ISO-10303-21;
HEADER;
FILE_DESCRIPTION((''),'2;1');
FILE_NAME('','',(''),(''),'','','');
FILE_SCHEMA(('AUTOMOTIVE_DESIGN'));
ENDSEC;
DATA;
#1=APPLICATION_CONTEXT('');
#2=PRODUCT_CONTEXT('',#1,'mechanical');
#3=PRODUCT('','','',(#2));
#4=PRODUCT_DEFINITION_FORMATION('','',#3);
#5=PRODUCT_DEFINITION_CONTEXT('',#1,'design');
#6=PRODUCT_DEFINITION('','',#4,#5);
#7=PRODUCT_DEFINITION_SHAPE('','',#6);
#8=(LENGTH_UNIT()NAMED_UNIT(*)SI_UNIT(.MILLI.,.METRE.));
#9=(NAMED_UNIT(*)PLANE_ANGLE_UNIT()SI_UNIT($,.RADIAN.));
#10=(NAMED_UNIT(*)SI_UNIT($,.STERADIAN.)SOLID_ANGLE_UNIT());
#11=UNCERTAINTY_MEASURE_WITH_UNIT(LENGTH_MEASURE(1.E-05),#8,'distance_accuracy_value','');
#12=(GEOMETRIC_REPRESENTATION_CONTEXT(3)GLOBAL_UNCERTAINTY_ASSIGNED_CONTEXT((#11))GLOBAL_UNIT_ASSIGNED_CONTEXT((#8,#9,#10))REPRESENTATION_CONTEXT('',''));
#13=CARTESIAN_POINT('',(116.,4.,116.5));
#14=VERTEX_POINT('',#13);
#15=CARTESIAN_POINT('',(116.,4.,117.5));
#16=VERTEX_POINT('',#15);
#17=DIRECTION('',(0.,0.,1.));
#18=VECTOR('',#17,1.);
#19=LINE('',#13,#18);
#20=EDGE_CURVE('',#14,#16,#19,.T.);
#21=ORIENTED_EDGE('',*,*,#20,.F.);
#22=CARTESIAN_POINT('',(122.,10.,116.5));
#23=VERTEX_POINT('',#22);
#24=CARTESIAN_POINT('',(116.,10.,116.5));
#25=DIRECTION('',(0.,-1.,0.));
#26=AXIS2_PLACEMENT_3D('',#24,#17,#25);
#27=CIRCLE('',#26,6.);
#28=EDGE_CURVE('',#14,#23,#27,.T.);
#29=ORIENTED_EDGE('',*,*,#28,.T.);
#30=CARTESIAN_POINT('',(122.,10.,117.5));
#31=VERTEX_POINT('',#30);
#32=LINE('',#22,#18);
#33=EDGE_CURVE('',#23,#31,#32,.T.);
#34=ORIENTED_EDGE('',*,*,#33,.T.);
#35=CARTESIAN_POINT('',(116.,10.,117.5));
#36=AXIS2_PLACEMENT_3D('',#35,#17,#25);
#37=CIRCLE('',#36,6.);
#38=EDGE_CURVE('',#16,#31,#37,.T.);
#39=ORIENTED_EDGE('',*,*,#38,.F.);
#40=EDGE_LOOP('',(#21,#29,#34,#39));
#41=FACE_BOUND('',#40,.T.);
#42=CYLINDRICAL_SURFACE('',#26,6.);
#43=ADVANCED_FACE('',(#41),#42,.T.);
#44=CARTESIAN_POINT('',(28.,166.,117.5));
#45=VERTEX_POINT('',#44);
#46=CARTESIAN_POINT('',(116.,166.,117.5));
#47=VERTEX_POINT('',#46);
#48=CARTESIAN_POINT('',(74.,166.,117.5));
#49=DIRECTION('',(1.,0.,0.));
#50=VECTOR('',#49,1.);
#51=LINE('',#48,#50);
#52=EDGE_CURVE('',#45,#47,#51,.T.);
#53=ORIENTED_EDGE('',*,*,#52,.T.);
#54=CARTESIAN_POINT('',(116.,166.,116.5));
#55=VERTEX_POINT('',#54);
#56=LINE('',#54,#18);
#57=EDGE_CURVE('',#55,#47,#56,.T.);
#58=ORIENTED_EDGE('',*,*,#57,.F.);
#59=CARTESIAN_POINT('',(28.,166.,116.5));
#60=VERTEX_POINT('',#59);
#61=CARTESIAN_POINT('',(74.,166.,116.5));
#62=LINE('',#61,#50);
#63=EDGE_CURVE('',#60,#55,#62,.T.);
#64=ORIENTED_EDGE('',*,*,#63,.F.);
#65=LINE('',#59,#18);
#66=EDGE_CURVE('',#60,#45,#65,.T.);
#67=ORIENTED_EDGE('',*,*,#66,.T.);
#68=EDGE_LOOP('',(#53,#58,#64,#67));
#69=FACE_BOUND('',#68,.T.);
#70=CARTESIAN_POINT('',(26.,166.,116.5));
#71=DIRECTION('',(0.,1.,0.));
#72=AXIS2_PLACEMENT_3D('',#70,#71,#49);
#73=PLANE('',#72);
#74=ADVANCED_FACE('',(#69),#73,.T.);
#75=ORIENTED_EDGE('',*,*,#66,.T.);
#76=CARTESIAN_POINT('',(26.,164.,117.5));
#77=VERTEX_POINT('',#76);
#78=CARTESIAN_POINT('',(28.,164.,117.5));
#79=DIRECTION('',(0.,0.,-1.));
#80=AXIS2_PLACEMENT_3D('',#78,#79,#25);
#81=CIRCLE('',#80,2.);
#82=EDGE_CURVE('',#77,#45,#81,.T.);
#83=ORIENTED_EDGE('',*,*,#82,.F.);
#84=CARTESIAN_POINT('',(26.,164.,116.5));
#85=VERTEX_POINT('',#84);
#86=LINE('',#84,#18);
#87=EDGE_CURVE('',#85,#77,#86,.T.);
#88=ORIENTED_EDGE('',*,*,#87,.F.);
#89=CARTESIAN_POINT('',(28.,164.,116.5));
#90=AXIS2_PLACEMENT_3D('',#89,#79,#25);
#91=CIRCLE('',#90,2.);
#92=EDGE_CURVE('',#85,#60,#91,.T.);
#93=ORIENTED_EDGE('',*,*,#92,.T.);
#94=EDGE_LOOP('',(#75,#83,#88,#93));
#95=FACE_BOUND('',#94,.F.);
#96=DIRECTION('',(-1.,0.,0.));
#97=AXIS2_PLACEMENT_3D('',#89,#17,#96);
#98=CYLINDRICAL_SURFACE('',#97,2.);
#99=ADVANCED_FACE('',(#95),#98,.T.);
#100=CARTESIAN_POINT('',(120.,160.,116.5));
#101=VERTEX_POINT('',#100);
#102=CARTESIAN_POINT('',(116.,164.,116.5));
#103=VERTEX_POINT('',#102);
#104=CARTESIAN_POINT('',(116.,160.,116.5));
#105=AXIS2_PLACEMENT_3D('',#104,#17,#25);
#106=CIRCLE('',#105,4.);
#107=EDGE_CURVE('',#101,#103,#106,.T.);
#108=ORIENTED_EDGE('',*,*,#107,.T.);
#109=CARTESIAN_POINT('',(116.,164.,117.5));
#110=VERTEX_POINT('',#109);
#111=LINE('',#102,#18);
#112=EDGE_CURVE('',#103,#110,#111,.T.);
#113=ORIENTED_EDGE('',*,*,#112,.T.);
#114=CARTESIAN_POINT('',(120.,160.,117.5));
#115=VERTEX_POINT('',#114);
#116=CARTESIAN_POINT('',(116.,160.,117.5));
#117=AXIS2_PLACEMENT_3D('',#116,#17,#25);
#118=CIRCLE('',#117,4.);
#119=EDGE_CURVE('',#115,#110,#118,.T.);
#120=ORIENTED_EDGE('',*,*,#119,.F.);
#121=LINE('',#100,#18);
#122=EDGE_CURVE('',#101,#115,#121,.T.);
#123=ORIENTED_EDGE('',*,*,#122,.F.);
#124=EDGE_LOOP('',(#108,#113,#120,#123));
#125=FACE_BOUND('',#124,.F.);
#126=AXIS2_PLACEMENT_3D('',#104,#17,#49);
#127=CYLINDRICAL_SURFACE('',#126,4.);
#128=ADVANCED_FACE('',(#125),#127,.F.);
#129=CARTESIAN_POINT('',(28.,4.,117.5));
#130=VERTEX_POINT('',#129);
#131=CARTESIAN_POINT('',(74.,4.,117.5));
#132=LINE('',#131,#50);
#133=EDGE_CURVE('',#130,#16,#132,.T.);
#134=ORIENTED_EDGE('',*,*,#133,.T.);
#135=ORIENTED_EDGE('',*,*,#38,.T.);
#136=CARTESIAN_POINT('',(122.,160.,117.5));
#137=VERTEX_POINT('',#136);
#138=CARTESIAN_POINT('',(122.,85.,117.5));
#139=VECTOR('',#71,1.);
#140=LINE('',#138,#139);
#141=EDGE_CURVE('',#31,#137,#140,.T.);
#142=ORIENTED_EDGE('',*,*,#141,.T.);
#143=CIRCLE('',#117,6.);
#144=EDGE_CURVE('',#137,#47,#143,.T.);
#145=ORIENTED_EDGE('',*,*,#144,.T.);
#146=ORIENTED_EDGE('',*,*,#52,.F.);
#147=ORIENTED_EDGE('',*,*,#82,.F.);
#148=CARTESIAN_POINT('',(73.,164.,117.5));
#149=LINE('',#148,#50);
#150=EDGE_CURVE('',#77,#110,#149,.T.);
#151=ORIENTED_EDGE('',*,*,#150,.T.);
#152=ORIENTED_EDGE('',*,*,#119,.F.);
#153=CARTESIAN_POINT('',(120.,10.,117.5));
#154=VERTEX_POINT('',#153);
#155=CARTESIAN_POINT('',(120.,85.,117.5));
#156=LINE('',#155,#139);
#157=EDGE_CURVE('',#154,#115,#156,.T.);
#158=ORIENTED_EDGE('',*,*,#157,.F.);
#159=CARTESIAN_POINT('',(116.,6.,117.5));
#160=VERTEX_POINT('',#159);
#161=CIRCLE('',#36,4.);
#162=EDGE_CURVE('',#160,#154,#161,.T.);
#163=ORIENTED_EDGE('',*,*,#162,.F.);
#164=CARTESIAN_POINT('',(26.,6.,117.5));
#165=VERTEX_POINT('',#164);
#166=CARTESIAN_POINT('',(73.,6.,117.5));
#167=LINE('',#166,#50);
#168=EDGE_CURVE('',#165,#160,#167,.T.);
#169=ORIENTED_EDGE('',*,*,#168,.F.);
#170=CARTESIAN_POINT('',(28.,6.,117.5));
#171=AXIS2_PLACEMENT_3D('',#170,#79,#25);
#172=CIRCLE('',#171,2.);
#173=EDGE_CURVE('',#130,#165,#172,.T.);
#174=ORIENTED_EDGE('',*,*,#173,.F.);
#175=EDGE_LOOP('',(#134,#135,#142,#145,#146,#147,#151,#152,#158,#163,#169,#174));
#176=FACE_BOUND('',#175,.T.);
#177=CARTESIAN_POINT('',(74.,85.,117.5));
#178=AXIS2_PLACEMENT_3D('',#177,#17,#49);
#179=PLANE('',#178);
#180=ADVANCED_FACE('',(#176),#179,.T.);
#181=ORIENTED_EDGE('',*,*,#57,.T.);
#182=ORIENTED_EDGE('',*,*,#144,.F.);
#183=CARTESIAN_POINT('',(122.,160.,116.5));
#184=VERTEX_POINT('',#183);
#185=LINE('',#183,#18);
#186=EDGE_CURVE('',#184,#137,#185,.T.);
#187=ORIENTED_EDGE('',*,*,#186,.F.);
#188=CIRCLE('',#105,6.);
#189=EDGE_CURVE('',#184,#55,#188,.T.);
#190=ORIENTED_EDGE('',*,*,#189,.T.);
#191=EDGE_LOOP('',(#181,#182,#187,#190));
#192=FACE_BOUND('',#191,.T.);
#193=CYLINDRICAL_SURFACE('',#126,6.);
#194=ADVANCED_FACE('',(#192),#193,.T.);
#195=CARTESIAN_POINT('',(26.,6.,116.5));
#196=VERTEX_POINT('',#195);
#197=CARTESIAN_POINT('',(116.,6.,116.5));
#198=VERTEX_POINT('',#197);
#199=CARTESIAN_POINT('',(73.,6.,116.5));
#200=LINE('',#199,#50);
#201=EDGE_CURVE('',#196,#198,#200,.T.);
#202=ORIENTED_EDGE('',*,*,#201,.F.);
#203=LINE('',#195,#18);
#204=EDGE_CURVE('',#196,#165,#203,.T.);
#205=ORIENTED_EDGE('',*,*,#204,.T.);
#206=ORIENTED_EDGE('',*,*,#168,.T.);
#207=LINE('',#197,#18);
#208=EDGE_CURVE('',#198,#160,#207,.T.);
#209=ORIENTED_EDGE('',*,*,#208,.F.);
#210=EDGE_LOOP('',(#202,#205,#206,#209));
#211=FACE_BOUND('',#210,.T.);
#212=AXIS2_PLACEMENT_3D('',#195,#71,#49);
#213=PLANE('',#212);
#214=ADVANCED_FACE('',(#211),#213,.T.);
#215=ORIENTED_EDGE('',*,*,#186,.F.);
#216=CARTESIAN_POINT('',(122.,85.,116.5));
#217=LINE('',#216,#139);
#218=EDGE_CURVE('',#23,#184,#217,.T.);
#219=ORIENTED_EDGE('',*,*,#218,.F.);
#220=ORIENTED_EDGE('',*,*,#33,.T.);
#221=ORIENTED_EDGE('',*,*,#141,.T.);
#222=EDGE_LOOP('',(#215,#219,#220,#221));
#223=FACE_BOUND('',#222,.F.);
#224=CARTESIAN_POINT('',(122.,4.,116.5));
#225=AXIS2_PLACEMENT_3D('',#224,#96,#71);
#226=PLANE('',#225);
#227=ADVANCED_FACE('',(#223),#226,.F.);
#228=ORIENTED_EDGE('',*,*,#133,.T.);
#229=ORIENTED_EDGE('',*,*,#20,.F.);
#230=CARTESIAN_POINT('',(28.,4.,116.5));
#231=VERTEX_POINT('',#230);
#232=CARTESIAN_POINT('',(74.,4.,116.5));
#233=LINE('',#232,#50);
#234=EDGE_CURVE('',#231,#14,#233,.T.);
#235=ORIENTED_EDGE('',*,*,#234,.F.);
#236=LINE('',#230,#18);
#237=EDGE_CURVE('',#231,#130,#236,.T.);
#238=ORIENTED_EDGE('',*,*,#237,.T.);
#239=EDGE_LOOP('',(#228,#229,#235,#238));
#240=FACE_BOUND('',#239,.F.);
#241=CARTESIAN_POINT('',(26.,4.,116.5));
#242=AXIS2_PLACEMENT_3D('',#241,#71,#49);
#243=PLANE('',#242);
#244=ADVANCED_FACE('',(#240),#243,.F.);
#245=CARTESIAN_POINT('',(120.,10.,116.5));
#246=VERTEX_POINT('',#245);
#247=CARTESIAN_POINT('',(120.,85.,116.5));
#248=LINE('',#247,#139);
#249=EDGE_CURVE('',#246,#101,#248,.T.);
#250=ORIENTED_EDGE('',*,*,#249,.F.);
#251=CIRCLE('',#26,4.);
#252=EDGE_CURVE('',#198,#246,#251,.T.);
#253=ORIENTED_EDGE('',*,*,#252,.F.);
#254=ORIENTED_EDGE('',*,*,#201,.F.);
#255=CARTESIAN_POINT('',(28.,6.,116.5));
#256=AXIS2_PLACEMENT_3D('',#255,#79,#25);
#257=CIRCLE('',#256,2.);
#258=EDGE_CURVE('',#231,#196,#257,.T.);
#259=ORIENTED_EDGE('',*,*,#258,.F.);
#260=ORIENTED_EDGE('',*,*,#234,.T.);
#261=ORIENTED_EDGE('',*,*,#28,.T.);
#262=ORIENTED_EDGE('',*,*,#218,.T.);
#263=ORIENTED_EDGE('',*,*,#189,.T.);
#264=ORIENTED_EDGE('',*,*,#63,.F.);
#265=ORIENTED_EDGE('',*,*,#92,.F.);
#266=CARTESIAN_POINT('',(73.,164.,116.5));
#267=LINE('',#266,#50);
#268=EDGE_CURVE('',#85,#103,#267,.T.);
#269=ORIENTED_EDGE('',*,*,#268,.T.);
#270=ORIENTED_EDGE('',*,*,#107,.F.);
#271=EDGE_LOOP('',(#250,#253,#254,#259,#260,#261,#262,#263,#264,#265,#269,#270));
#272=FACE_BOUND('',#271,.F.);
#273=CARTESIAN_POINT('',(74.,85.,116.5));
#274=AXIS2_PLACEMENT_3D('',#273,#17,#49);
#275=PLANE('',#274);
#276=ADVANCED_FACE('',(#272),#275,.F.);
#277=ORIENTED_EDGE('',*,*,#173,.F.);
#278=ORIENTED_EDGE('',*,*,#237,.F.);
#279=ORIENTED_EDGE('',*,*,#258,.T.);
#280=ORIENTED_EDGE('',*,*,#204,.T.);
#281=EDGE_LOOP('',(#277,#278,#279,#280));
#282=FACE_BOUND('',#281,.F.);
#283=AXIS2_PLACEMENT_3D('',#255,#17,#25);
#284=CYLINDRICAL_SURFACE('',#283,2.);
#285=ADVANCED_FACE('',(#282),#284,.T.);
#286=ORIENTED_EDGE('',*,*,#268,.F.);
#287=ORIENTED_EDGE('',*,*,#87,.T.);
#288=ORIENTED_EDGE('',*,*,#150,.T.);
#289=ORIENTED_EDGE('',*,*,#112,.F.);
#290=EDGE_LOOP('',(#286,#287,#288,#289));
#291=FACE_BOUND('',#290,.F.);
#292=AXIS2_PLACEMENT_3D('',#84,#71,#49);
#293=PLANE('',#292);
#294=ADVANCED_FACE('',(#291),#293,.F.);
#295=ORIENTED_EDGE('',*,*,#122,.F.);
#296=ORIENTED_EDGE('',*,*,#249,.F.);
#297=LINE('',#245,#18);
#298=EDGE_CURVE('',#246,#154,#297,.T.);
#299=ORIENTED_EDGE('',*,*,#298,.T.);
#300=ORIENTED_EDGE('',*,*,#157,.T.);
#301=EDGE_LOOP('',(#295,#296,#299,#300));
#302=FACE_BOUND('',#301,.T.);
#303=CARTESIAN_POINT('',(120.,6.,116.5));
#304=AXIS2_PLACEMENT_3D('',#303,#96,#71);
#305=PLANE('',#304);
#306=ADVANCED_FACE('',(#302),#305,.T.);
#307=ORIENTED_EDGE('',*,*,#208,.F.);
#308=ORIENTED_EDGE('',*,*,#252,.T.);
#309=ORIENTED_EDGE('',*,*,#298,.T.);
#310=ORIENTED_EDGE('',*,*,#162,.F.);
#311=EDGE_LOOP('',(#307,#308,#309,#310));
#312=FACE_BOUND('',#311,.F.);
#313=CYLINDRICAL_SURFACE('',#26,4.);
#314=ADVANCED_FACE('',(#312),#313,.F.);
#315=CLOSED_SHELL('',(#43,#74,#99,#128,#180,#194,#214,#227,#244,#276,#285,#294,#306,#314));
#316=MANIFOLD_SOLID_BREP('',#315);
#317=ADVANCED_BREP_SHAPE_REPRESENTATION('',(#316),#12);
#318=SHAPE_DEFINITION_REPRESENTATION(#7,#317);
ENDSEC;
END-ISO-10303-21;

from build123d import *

# Parameters (mm, degrees)
BOX017_W     = 94
BOX017_H     = 158
BOX017_DEPTH = 1
FILLET009_R  = 4
BOX016_W     = 96
BOX016_H     = 162
BOX016_DEPTH = 1
FILLET010_R  = 6
FILLET011_R  = 2


with BuildPart() as fillet009:
    # Box017 → Box017 (new body)
    with BuildSketch(Plane(origin=(26, 6, 116.5), x_dir=(1, 0, 0), z_dir=(0, 0, 1))):
        with Locations((47, 79)):
            Rectangle(BOX017_W, BOX017_H)
    extrude(amount=BOX017_DEPTH)

    # Fillet009
    fillet009_edges = [fillet009.edges().sort_by_distance(p)[0] for p in [
        (120, 6, 117),
        (120, 164, 117),
    ]]
    fillet(fillet009_edges, radius=FILLET009_R)


with BuildPart() as cut352:
    # Box016 → Box016 (new body)
    with BuildSketch(Plane(origin=(26, 4, 116.5), x_dir=(1, 0, 0), z_dir=(0, 0, 1))):
        with Locations((48, 81)):
            Rectangle(BOX016_W, BOX016_H)
    extrude(amount=BOX016_DEPTH)

    # Fillet010
    fillet010_edges = [cut352.edges().sort_by_distance(p)[0] for p in [
        (122, 4, 117),
        (122, 166, 117),
    ]]
    fillet(fillet010_edges, radius=FILLET010_R)

    # Fillet011
    fillet011_edges = [cut352.edges().sort_by_distance(p)[0] for p in [
        (26, 166, 117),
        (26, 4, 117),
    ]]
    fillet(fillet011_edges, radius=FILLET011_R)

    # Cut012: cut Fillet009
    add(fillet009.part, mode=Mode.SUBTRACT)


solid = cut352.part
